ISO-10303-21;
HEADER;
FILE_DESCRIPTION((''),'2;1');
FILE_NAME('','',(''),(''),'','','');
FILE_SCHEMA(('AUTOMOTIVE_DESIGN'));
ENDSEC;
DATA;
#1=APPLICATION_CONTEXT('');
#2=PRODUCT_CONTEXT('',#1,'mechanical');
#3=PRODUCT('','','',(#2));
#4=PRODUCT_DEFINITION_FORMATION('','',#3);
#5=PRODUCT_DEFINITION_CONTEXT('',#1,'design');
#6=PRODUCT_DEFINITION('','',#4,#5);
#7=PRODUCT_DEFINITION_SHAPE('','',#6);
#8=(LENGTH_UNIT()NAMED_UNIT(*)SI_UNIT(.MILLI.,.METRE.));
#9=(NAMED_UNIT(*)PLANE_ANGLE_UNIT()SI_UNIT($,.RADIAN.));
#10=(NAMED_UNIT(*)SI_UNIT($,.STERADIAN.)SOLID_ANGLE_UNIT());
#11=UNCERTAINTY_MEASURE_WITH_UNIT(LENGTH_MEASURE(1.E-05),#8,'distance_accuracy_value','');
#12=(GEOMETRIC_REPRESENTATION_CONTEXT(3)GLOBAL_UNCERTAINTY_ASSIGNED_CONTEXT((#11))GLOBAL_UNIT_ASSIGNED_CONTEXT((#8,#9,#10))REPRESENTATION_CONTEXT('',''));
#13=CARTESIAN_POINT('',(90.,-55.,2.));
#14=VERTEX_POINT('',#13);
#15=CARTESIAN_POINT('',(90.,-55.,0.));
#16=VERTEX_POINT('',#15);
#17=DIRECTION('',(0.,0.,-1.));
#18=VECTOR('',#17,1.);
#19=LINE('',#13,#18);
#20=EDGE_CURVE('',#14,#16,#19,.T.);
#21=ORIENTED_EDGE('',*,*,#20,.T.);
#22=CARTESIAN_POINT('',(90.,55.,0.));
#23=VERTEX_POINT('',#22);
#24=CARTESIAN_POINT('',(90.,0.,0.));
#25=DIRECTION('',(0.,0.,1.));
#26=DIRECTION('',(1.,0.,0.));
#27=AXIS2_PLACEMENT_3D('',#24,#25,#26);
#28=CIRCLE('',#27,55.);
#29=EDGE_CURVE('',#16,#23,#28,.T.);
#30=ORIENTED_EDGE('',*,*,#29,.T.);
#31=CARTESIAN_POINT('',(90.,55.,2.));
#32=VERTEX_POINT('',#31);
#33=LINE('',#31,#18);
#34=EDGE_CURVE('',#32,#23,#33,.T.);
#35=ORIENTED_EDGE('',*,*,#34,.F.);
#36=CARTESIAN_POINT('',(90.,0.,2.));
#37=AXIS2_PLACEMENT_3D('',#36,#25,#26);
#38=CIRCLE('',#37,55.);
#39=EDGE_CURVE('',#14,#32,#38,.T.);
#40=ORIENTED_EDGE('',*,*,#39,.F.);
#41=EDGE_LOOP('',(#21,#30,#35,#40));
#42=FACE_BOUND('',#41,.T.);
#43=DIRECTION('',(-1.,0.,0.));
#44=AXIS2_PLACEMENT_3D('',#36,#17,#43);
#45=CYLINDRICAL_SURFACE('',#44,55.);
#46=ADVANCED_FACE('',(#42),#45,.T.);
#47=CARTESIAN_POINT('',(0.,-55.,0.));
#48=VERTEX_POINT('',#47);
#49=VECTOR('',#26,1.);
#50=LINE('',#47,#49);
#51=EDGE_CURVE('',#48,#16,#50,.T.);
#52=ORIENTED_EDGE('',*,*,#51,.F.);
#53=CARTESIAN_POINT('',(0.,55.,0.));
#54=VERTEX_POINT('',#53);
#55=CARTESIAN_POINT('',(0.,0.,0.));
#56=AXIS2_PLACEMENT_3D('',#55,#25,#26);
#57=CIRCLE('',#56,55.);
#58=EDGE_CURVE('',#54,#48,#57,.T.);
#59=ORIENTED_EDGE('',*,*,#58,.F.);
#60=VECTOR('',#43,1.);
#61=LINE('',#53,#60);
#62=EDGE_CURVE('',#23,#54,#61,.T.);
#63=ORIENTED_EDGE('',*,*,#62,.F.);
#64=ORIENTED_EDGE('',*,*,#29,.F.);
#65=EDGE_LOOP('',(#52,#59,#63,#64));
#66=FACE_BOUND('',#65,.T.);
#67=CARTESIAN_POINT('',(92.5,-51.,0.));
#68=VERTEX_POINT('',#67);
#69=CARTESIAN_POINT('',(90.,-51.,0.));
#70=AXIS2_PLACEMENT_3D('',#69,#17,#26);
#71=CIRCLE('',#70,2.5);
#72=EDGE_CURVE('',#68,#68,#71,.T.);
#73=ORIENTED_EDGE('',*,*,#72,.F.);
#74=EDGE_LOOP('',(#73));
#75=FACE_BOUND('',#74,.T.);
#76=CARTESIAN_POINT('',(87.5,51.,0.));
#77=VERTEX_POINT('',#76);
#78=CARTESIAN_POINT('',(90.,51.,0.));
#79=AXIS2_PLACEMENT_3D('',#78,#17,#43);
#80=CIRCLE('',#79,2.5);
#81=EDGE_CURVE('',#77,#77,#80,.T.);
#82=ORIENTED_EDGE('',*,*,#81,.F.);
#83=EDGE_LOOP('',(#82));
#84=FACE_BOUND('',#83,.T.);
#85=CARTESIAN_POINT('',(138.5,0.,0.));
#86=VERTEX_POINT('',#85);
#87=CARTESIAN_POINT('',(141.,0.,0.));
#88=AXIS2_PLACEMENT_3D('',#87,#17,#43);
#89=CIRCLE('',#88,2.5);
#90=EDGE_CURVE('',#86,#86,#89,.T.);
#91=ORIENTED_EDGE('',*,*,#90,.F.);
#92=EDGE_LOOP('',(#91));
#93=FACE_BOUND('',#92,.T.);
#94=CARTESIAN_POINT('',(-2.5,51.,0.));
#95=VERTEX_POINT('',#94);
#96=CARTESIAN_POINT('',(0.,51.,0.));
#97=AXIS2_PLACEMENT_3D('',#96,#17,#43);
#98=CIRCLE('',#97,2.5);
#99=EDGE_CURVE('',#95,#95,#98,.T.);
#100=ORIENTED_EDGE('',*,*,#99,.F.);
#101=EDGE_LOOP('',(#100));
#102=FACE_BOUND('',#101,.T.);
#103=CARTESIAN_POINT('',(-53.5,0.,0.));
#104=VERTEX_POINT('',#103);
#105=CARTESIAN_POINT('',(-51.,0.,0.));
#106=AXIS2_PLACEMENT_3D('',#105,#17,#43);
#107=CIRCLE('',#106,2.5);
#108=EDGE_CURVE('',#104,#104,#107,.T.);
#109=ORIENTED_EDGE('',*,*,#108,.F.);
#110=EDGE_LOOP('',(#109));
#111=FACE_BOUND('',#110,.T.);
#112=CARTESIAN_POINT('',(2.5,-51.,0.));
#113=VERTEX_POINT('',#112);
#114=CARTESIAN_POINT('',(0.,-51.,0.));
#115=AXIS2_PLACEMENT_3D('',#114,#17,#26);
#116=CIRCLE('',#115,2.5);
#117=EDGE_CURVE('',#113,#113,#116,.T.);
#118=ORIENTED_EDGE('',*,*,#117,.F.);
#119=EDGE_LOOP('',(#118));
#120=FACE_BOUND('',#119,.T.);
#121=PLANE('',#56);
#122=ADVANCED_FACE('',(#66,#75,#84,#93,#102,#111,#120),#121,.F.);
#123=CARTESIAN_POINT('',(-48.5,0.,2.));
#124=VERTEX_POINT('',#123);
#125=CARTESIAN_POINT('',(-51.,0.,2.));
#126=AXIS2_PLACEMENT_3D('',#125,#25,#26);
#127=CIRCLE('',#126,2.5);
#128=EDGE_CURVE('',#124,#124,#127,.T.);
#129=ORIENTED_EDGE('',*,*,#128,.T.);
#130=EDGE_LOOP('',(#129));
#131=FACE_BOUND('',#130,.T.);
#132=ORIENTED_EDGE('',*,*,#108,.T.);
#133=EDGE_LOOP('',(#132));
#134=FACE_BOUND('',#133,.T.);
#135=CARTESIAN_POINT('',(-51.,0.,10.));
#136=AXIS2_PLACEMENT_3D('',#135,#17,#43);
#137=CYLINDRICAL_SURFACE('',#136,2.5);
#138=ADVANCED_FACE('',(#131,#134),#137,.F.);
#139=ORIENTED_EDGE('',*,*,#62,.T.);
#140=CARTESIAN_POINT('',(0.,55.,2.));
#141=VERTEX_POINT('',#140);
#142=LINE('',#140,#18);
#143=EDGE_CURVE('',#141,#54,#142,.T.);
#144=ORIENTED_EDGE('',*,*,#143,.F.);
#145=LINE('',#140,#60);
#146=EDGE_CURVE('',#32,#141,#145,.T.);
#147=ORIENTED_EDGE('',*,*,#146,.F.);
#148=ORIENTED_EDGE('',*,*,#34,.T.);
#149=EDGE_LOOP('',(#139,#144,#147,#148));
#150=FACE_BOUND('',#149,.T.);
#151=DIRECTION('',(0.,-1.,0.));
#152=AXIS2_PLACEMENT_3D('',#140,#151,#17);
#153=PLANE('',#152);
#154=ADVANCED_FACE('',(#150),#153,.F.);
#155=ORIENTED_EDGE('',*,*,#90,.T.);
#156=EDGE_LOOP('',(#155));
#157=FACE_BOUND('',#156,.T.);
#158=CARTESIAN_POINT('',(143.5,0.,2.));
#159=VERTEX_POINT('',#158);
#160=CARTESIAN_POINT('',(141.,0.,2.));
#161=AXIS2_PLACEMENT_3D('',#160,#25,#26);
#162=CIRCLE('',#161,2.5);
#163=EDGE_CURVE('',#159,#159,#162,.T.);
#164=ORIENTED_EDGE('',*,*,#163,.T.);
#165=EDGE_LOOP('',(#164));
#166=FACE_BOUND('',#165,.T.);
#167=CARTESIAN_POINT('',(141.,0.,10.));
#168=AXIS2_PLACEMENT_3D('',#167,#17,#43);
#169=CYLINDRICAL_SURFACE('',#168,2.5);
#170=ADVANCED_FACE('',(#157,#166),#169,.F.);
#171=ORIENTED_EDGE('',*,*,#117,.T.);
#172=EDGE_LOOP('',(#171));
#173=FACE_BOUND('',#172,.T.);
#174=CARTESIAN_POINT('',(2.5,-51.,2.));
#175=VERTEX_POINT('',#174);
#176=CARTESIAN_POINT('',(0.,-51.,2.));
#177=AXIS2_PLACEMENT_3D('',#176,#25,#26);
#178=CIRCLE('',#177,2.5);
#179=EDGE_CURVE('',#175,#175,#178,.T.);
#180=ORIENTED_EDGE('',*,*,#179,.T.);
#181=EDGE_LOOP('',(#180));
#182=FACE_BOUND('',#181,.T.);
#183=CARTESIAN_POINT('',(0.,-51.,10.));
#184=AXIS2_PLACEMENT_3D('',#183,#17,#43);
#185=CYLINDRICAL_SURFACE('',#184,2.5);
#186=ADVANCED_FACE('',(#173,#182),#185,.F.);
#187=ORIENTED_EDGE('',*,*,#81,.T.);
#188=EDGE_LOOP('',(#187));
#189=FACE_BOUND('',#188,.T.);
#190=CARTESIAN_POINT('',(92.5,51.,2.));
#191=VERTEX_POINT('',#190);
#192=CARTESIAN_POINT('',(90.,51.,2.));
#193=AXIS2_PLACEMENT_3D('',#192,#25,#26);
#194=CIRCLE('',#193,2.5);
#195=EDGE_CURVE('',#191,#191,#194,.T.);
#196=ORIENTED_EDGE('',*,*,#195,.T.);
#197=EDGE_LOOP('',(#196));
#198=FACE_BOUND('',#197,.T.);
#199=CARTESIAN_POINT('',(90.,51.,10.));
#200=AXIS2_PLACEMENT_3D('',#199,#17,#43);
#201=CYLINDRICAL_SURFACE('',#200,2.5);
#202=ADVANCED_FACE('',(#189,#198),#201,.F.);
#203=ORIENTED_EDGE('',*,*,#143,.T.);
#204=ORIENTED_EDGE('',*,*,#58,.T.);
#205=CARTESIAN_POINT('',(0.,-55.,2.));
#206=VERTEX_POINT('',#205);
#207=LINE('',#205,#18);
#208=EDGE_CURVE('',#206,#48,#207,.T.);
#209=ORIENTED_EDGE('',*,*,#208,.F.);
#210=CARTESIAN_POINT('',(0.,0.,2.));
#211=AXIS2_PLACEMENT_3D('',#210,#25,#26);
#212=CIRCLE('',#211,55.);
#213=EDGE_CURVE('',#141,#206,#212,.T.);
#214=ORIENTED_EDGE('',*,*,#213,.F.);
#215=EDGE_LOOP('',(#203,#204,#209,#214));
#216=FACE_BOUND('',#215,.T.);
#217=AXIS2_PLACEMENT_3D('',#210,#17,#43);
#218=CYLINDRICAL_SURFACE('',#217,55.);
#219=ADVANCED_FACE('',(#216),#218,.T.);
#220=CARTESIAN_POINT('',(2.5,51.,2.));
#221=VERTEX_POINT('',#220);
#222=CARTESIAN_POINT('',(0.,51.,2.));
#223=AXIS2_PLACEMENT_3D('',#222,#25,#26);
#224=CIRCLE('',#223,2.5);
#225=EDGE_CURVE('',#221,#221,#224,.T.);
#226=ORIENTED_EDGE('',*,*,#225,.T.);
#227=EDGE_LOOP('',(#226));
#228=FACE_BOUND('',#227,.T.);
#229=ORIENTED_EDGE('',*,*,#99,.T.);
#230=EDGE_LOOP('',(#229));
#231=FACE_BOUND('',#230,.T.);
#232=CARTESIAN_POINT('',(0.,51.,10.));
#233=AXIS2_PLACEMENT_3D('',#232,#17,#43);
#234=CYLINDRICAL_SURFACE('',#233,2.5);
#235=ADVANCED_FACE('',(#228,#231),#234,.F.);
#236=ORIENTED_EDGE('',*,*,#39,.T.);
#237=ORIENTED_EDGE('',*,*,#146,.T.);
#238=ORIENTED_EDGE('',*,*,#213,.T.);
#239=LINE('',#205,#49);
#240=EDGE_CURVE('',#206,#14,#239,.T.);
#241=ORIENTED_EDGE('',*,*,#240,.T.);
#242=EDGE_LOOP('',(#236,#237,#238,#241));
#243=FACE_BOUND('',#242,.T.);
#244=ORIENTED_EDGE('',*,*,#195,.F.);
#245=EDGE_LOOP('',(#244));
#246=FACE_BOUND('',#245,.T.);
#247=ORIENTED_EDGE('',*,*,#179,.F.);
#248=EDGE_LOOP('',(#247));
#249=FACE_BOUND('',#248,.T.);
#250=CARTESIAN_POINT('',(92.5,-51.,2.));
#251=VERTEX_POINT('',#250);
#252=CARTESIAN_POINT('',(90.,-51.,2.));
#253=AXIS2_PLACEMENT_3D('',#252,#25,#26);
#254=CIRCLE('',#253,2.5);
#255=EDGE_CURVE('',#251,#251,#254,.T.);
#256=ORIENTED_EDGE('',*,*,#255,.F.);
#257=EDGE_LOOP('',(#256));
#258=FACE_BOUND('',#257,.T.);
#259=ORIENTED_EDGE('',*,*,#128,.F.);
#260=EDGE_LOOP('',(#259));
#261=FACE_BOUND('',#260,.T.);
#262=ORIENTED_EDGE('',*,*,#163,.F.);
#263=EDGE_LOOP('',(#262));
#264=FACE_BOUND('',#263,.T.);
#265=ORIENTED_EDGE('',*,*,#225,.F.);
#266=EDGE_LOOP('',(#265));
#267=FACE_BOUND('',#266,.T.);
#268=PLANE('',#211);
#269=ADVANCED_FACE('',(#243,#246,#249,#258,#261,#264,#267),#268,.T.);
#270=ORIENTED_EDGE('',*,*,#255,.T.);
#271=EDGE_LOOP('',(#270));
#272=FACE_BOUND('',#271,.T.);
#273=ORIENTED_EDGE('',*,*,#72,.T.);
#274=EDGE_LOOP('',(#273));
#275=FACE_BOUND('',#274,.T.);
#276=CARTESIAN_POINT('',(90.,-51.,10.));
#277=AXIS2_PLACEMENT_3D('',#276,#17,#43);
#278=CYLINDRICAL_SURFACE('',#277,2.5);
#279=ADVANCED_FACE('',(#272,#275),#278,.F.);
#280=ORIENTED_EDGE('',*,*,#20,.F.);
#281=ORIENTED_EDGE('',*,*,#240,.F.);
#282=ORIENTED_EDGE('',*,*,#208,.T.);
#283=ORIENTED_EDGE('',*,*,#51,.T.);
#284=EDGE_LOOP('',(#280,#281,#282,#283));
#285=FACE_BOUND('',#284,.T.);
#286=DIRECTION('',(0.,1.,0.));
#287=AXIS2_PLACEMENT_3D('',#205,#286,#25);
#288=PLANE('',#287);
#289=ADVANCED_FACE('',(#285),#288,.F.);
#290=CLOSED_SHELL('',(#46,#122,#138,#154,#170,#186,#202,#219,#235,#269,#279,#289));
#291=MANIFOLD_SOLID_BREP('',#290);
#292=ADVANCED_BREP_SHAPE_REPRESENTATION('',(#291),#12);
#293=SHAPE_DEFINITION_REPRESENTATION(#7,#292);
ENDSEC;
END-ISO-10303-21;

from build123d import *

# Parameters (mm, degrees)
EXTRUDE_1_DEPTH     = 2
SKETCH_2_R          = 2.5
CUT_EXTRUDE_1_DEPTH = 10


with BuildPart() as part:
    # 草图1 → 拉伸1 (new body)
    with BuildSketch(Plane.XY):
        with BuildLine():
            Line((0, 55), (90, 55))
            ThreePointArc((90, 55), (145, 0), (90, -55))
            Line((90, -55), (0, -55))
            ThreePointArc((0, -55), (-55, 0), (0, 55))
        make_face()
    extrude(amount=EXTRUDE_1_DEPTH)

    # 草图2 → 切除-拉伸1 (cut)
    with BuildSketch(Plane(origin=(0, 0, 0), x_dir=(-1, 0, 0), z_dir=(0, 0, -1))):
        with Locations((-90, 51)):
            Circle(SKETCH_2_R)
        with Locations((0, 51)):
            Circle(SKETCH_2_R)
        with Locations((51, 0)):
            Circle(SKETCH_2_R)
        with Locations(Location((0, -51, 0), (0, 0, 180))):
            Circle(SKETCH_2_R)
        with Locations(Location((-90, -51, 0), (0, 0, 180))):
            Circle(SKETCH_2_R)
        with Locations((-141, 0)):
            Circle(SKETCH_2_R)
    extrude(amount=-CUT_EXTRUDE_1_DEPTH, mode=Mode.SUBTRACT)


solid = part.part
